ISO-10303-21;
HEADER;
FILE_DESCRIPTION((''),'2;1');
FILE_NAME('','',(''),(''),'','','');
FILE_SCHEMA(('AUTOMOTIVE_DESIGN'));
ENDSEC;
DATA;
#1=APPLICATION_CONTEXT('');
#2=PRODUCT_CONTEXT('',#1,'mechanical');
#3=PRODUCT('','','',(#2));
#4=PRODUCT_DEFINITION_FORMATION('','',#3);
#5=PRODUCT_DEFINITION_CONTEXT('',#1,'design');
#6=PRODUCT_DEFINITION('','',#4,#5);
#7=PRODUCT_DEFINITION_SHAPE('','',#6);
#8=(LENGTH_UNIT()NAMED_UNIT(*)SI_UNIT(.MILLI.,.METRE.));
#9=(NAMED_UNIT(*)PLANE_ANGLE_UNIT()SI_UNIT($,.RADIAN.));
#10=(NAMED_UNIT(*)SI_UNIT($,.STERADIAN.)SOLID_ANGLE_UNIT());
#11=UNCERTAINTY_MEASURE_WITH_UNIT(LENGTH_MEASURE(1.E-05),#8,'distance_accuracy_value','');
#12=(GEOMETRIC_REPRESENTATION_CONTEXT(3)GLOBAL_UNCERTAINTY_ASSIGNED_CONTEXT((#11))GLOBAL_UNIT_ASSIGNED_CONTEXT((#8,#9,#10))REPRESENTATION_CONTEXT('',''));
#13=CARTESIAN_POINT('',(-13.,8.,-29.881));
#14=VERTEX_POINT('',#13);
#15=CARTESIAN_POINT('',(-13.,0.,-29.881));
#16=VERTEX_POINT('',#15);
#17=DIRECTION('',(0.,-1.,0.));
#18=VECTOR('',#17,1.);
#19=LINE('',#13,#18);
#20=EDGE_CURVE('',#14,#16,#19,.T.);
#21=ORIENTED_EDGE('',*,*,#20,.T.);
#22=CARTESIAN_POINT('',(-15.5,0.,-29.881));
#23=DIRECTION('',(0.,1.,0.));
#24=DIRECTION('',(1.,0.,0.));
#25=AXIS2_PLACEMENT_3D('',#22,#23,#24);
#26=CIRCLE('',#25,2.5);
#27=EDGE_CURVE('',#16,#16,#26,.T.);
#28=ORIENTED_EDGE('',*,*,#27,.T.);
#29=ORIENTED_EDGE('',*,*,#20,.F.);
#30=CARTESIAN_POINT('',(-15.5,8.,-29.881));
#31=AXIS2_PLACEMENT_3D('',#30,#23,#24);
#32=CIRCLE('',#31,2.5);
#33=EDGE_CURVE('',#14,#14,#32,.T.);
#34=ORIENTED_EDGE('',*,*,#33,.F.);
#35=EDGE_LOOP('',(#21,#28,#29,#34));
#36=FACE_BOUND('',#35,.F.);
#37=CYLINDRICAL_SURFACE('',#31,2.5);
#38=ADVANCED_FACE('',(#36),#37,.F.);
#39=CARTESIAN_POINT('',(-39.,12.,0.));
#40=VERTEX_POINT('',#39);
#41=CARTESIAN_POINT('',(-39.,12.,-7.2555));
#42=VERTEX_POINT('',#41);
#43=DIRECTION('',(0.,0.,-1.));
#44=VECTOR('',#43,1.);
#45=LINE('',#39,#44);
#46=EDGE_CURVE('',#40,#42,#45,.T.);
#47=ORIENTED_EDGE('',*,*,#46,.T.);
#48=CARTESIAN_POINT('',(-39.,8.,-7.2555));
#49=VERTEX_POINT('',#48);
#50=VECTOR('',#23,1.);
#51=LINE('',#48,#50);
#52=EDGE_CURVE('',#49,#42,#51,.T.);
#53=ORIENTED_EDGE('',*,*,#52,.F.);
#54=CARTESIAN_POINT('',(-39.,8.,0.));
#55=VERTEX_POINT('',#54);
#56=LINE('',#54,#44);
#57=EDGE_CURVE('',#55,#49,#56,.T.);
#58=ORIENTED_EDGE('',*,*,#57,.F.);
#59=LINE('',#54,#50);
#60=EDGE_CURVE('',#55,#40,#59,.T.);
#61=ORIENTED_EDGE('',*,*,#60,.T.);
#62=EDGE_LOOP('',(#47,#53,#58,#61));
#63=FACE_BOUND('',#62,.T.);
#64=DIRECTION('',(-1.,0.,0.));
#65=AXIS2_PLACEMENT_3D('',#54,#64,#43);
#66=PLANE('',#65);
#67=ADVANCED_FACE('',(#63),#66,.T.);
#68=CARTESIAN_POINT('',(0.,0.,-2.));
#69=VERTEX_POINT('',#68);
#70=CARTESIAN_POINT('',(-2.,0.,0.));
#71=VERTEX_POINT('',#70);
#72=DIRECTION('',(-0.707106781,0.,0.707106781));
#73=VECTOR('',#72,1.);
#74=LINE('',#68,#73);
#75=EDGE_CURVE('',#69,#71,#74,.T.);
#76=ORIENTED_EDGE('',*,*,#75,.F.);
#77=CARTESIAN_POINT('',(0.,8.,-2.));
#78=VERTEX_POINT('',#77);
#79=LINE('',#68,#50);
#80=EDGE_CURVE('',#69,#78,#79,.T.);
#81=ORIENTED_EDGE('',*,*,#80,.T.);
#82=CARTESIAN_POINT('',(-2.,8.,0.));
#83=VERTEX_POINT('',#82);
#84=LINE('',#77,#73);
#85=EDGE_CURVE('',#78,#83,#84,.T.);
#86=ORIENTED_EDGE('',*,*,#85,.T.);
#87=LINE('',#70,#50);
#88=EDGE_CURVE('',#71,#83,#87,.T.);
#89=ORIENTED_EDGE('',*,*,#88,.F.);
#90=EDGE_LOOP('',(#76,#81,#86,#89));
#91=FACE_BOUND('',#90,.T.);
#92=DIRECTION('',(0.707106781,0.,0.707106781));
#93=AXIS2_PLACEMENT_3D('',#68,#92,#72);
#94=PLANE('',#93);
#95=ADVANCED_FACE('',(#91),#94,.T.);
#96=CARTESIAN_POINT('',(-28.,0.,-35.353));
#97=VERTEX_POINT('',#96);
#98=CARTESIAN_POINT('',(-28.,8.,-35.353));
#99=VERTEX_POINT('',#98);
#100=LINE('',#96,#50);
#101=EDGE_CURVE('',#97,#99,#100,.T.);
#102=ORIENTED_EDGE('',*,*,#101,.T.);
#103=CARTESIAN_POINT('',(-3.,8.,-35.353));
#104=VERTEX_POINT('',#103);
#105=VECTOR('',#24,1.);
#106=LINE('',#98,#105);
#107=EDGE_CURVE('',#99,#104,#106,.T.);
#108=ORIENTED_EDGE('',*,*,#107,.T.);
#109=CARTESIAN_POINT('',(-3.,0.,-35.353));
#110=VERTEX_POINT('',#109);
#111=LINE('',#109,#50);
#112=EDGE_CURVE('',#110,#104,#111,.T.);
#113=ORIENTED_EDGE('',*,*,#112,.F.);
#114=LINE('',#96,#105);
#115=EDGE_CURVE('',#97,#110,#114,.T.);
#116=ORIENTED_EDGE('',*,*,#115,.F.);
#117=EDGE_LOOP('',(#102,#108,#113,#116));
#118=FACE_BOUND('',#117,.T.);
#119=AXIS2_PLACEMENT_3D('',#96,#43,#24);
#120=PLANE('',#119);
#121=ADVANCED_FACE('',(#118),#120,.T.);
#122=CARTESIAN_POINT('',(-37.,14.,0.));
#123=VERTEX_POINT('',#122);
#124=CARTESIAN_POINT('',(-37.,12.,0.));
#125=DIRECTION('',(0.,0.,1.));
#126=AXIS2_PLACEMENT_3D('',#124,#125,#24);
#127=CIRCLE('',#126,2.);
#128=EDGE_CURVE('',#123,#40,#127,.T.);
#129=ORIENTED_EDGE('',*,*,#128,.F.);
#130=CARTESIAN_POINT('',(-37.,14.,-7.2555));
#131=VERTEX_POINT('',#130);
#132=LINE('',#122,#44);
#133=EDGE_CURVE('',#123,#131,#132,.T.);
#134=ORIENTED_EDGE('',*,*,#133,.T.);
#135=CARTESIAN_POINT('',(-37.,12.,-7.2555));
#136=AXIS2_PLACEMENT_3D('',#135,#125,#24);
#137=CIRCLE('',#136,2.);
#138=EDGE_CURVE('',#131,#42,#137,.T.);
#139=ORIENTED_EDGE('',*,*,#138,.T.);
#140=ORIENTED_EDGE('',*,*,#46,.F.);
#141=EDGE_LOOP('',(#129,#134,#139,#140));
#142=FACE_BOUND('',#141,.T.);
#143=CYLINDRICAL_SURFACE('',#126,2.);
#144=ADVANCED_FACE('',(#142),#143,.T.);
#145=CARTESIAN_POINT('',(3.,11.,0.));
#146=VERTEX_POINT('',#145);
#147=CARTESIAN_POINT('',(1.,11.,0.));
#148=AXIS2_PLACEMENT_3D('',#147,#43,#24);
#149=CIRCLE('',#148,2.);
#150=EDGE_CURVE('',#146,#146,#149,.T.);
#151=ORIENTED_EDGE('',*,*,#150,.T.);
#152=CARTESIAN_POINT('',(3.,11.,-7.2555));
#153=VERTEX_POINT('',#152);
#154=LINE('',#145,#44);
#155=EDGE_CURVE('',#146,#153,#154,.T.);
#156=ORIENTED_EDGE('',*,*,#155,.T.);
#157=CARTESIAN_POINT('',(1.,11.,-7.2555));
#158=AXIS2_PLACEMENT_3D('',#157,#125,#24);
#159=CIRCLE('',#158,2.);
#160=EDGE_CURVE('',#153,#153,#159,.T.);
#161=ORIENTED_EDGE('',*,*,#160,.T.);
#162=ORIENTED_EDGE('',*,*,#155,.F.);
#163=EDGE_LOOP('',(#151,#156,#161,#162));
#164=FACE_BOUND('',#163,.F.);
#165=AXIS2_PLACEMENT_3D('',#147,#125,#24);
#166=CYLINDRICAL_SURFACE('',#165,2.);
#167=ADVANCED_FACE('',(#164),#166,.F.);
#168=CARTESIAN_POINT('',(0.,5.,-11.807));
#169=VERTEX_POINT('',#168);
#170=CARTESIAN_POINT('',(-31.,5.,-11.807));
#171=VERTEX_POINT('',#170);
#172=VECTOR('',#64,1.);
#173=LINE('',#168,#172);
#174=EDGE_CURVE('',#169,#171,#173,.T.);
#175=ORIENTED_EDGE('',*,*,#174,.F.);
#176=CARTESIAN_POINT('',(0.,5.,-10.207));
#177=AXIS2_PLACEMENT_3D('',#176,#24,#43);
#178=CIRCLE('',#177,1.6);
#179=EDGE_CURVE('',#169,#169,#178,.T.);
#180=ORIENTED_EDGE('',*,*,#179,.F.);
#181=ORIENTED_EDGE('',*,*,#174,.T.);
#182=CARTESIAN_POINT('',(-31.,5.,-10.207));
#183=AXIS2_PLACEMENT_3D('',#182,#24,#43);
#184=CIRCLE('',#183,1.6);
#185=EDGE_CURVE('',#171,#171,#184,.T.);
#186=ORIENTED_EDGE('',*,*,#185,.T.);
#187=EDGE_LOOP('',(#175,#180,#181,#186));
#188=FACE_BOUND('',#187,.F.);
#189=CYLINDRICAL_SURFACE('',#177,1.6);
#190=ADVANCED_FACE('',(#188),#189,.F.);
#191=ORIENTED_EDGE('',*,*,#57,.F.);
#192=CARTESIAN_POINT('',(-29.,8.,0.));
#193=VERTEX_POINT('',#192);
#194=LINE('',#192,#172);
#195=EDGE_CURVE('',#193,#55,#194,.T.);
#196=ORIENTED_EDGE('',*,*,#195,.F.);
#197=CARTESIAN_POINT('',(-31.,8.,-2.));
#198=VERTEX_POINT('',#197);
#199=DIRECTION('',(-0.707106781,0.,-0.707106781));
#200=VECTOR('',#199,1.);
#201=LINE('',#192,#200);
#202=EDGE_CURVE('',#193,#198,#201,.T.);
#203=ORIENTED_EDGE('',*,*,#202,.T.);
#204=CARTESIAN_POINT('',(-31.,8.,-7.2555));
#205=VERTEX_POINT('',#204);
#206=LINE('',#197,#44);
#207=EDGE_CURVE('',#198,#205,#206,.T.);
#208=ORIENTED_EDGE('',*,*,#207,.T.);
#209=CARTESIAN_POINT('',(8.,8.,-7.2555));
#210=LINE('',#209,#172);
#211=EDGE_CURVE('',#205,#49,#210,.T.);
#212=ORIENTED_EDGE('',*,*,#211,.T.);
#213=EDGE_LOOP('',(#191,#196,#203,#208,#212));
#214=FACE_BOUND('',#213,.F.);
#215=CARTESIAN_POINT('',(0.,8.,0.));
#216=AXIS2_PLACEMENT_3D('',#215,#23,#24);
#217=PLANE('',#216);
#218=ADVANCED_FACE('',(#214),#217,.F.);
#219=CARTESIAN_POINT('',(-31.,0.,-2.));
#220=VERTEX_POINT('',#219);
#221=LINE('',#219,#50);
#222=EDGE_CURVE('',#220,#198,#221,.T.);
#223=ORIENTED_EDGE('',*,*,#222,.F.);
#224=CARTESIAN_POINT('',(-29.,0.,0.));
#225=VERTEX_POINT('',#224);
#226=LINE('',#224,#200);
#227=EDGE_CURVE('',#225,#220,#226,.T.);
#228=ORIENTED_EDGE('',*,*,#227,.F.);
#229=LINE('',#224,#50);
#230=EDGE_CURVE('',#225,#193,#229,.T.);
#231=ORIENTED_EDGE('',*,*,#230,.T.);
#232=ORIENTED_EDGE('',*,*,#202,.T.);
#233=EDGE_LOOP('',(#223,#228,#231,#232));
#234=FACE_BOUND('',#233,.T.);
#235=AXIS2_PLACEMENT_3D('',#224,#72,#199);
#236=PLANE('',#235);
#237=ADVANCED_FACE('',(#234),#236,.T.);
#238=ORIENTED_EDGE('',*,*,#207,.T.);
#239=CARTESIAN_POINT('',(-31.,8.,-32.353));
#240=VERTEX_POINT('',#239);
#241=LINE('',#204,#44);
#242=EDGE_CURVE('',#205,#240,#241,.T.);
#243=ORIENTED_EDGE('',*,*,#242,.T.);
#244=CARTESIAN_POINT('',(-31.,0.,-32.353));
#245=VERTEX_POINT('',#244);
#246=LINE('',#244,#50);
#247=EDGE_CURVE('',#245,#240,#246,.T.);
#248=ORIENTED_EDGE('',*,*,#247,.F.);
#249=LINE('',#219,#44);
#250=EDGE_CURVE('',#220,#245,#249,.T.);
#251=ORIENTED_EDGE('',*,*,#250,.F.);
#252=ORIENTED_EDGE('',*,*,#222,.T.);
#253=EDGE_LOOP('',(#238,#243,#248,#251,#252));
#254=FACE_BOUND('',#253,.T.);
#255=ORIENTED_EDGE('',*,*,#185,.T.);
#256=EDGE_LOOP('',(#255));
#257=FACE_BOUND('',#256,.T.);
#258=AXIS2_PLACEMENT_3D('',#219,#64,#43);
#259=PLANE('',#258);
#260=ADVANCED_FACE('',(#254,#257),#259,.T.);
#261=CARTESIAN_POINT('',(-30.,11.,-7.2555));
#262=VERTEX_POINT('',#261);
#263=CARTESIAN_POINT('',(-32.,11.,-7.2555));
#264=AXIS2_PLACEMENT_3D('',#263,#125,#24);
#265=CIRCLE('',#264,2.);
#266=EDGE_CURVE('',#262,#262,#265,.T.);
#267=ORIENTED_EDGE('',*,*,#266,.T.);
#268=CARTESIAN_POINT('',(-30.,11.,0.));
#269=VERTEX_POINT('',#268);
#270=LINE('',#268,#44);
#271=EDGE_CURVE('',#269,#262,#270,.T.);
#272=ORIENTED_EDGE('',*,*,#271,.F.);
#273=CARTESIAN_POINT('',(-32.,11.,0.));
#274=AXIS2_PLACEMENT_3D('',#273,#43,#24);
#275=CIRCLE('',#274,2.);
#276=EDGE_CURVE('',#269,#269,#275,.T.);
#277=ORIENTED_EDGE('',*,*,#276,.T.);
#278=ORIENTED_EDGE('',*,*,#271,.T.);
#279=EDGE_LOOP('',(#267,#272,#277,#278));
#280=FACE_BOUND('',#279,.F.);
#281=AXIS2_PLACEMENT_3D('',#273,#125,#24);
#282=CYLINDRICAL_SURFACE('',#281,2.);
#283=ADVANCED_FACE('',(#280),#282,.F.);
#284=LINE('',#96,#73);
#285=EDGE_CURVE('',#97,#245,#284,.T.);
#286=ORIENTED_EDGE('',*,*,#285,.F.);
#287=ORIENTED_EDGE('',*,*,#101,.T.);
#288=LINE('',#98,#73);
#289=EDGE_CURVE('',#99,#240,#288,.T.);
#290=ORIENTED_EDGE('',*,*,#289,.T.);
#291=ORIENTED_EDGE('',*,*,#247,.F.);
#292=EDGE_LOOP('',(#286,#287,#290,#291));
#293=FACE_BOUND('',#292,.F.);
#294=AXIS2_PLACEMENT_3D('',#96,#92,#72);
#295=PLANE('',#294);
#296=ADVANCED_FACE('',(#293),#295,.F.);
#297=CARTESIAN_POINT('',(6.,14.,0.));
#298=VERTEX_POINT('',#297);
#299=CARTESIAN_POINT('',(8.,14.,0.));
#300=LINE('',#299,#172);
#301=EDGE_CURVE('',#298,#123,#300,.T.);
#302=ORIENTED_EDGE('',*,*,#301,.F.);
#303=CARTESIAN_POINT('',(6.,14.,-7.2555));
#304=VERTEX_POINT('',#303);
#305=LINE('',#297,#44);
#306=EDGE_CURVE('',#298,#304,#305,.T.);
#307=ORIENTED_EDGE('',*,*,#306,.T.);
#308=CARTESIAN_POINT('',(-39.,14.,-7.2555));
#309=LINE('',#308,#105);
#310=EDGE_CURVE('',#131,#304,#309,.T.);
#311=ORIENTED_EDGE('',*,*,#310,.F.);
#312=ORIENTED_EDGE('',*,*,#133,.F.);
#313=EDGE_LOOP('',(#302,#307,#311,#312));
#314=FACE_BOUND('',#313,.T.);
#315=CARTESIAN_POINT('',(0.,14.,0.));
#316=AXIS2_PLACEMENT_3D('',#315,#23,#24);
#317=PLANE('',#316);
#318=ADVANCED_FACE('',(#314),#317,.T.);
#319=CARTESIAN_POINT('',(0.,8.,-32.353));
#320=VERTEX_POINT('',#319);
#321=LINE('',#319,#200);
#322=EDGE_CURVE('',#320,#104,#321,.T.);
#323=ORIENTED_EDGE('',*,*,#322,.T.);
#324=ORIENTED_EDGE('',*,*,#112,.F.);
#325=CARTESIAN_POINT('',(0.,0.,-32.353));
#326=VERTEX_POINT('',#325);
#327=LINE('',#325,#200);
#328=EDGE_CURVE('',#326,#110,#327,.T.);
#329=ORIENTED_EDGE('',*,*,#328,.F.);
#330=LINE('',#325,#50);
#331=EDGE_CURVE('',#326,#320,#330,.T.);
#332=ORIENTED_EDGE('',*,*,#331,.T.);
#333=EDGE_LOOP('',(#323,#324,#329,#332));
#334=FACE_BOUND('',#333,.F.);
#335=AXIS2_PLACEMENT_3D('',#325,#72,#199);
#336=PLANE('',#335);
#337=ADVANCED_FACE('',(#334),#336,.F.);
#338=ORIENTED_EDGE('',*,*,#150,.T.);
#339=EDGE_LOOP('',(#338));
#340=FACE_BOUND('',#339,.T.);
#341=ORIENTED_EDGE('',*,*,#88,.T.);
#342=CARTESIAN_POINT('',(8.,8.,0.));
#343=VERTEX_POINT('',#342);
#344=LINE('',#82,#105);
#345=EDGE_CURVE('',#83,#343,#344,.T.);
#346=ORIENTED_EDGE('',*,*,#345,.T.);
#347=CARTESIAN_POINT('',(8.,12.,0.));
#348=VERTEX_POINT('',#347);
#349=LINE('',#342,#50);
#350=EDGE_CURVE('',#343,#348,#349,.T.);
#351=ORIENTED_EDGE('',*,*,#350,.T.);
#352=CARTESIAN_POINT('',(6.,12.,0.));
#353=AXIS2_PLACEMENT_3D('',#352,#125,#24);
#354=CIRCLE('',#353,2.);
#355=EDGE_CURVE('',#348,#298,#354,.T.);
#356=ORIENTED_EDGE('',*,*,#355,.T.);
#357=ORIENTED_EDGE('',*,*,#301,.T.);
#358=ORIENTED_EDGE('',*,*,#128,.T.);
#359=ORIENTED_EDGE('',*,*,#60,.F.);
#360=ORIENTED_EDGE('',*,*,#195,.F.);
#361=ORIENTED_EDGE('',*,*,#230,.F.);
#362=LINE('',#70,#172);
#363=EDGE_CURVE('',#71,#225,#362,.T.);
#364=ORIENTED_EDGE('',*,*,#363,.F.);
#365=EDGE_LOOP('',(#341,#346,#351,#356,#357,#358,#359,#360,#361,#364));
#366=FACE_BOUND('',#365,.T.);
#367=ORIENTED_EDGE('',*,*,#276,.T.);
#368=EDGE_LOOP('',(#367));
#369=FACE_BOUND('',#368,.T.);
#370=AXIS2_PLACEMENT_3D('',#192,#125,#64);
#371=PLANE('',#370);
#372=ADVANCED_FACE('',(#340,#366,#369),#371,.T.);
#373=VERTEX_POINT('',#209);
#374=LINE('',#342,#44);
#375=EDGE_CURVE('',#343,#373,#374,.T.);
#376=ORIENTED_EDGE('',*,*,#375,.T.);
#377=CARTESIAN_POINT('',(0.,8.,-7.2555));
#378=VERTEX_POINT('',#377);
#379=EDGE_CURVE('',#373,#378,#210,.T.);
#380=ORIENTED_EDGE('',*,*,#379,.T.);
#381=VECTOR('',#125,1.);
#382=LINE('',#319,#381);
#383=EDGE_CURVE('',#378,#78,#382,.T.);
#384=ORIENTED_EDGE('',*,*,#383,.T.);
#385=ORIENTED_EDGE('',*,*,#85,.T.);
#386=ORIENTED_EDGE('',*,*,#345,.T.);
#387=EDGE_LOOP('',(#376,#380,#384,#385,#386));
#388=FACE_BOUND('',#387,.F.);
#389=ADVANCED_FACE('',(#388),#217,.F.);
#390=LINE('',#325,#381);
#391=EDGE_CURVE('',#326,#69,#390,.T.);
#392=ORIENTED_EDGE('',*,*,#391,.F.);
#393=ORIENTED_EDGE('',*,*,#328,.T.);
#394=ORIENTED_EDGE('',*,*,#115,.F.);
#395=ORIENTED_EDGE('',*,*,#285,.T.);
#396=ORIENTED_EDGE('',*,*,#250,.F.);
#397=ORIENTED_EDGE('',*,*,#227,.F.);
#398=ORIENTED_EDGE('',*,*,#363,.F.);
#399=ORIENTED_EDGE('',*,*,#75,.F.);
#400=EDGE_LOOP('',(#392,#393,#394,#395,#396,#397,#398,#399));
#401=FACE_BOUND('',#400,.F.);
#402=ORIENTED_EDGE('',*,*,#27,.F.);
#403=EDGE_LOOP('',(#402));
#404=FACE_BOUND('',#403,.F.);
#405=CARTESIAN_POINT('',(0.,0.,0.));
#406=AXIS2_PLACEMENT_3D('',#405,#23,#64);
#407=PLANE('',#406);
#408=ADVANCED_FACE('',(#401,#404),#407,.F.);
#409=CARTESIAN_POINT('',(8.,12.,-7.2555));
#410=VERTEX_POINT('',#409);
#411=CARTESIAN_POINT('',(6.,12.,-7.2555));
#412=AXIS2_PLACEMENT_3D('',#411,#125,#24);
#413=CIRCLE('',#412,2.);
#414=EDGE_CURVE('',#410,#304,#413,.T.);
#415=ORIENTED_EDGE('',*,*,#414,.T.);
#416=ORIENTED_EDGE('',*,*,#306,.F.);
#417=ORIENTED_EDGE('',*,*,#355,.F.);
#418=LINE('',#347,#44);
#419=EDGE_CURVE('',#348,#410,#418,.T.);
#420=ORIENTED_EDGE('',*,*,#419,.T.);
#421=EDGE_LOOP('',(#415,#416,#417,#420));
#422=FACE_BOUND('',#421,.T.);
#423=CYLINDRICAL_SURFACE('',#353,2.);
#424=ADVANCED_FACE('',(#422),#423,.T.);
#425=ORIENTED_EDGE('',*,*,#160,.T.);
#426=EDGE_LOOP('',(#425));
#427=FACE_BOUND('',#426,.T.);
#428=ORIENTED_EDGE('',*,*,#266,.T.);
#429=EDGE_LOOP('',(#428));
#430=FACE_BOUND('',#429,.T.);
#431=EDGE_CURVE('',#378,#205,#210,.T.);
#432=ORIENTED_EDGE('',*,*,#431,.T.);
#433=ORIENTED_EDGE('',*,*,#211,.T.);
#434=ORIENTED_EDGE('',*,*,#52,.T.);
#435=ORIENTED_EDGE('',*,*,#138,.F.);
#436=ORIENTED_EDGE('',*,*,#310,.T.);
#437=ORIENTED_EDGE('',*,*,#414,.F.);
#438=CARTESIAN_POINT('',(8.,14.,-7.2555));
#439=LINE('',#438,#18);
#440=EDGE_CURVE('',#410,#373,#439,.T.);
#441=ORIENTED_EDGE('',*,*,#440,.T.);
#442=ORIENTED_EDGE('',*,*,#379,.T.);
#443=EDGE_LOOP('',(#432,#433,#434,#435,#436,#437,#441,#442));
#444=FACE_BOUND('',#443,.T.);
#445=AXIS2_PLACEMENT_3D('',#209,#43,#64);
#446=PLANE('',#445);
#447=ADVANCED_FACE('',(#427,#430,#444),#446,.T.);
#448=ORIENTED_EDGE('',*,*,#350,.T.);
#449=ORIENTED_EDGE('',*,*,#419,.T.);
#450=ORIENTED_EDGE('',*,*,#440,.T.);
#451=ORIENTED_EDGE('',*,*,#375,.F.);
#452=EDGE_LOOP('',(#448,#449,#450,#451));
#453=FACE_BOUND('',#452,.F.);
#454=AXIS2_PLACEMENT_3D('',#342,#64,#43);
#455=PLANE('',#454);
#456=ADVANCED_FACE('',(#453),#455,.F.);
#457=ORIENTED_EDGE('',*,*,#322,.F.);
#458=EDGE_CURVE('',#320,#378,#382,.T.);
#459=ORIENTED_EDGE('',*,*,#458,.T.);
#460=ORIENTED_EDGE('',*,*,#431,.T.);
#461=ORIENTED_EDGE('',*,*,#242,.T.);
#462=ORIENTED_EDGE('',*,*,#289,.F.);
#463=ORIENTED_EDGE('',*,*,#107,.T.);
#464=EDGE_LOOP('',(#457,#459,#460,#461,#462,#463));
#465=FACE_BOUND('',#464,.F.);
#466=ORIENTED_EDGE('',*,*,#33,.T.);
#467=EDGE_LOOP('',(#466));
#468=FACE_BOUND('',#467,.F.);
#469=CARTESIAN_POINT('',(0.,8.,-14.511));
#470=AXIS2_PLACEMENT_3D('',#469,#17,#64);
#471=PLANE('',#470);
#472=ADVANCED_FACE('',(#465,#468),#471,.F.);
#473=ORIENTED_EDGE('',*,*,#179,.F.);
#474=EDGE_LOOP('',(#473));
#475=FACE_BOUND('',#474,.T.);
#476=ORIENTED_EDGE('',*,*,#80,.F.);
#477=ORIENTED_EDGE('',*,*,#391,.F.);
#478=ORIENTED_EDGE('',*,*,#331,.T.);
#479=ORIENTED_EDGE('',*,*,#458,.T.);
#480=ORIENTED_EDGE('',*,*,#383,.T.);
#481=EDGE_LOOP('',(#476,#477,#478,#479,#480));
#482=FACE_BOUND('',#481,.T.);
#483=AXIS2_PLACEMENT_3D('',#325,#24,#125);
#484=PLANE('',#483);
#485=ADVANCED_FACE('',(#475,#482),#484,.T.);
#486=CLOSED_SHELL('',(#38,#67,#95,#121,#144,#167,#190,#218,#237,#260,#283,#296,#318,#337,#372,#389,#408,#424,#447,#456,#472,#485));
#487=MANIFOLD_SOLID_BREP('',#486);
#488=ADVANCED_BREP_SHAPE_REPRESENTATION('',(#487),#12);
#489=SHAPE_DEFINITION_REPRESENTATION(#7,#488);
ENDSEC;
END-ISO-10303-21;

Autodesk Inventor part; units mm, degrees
ref_plane "YZ Plane" through (0, 0, 0) normal (1, 0, 0) x (0, 1, 0)
ref_plane "XZ Plane" through (0, 0, 0) normal (0, 1, 0) x (-1, 0, 0)
ref_plane "XY Plane" through (0, 0, 0) normal (0, 0, 1) x (1, 0, 0)
sketch "Sketch1" plane through (0, 0, 0) normal (0, 1, 0) x (-1, 0, 0)
  line L0 (29, 0) -> (31, -2)
  line L1 (28, -35.353) -> (31, -32.353)
  line L2 (0, -32.353) -> (3, -35.353)
  line L3 (0, -2) -> (2, 0)
  line L4 (31, -2) -> (31, -32.353)
  line L5 (28, -35.353) -> (3, -35.353)
  line L6 (0, -32.353) -> (0, -2)
  line L7 (2, 0) -> (29, 0)
  point P0 (0, 0)
  dimension "d5" = 2
  dimension "d6" = 2
extrude "Extrusion1" add sketch "Sketch1" along normal blind 8
sketch "Sketch2" plane through (0, 0, -2) normal (1, 0, 0) x (0, 0, -1)
  line L0 (0, 0) -> (0, 8) projected
  line L1 (0, 8) -> (8.207, 8)
  line L2 (30.353, 8) -> (0, 8) projected
  line L3 (8.207, 8) -> (8.207, 5)
  circle A0 centre (8.207, 5) radius 1.6
  point P0 (-2, 0)
  dimension "d13" = 8.207
  dimension "d14" = 3
  dimension "d15" = 3.2
extrude "Extrusion2" cut sketch "Sketch2" against normal blind 31
sketch "Sketch3" plane through (0, 8, 0) normal (0, 1, 0) x (1, 0, 0)
  line L0 (-31, 2) -> (-29, 0) projected
  line L1 (-29, 0) -> (-39, 0)
  line L2 (-2, 0) -> (0, 2) projected
  line L3 (-2, 0) -> (8, 0)
  line L4 (-39, 0) -> (-39, 14.511)
  line L5 (8, 0) -> (8, 14.511)
  line L6 (8, 14.511) -> (-39, 14.511)
  line L7 (-29, 0) -> (-2, 0)
  point P0 (0, 0)
  dimension "d18" = 10
  dimension "d19" = 10
  dimension "d20" = 14.511
  dimension "d21" = 14.511
extrude "Extrusion3" add sketch "Sketch3" along normal blind 6
sketch "Sketch4" plane through (-29, 0, 0) normal (0, 0, 1) x (1, 0, 0)
  line L0 (-10, 14) -> (37, 14) projected
  line L1 (37, 14) -> (35, 14)
  line L2 (35, 14) -> (35, 12)
  circle A0 centre (35, 12) radius 2
  line L3 (-10, 8) -> (-10, 14) projected
  line L4 (-10, 14) -> (-8, 14)
  line L5 (-8, 14) -> (-8, 12)
  circle A1 centre (-8, 12) radius 2
  line L6 (-10, 14) -> (-10, 12)
  line L7 (37, 14) -> (37, 12)
  line L8 (37, 8) -> (37, 14) projected
  point P0 (29, 0)
  point P1 (-8, 14)
  dimension "d26" = 4
  dimension "d29" = 4
  dimension "d24" = 2
  dimension "d25" = 2
  dimension "d27" = 2
  dimension "d28" = 2
extrude "Extrusion4" cut sketch "Sketch4" against normal blind 14.511 contours L0 L7 A0 | L0 A1 L3
sketch "Sketch5" plane through (-29, 0, 0) normal (0, 0, 1) x (1, 0, 0)
  arc A0 (37, 12) -> (35, 14) centre (35, 12) ccw projected
  line L0 (35, 14) -> (30, 14)
  line L1 (35, 14) -> (-8, 14) projected
  line L2 (30, 14) -> (30, 11)
  line L3 (-8, 14) -> (-3, 14)
  line L4 (-3, 14) -> (-3, 11)
  circle A1 centre (-3, 11) radius 2
  circle A2 centre (30, 11) radius 2
  point P0 (29, 0)
  dimension "d32" = 5
  dimension "d33" = 3
  dimension "d34" = 5
  dimension "d35" = 3
  dimension "d36" = 4
  dimension "d37" = 4
extrude "Extrusion5" cut sketch "Sketch5" against normal blind 14.511
sketch "Sketch6" plane through (0, 8, 0) normal (0, 1, 0) x (1, 0, 0)
  line L0 (-28, 35.353) -> (-31, 32.353) projected
  line L1 (-28, 35.353) -> (-28, 24.409)
  line L2 (0, 32.353) -> (-3, 35.353) projected
  line L3 (-3, 35.353) -> (-3, 24.409)
  line L4 (-3, 24.409) -> (-28, 24.409)
  line L5 (-28, 35.353) -> (-3, 35.353)
  line L6 (-3, 35.353) -> (-28, 35.353) projected
  line L7 (-28, 35.353) -> (-15.5, 35.353)
  line L8 (-15.5, 35.353) -> (-15.5, 29.881)
  circle A0 centre (-15.5, 29.881) radius 2.5
  point P0 (0, 0)
  dimension "d40" = 10.944
  dimension "d41" = 10.944
  dimension "d42" = 12.5
  dimension "d43" = 5.472
  dimension "d44" = 5
extrude "Extrusion6" cut sketch "Sketch6" against normal blind 8 contours A0
sketch "Sketch7" plane through (8, 8, -14.511) normal (0, 0, -1) x (-1, 0, 0)
  line L0 (0, 0) -> (8, 0) projected
  line L1 (47, 0) -> (47, 4) projected
  line L2 (0, 0) -> (47, 0)
  line L3 (47, 0) -> (47, 6)
  line L4 (47, 6) -> (0, 6)
  line L5 (0, 6) -> (0, 0)
  point P0 (8, -8)
  dimension "d47" = 6
  dimension "d48" = 47
extrude "Extrusion7" cut sketch "Sketch7" against normal blind 7.2555
properties part number "camera_holder"
